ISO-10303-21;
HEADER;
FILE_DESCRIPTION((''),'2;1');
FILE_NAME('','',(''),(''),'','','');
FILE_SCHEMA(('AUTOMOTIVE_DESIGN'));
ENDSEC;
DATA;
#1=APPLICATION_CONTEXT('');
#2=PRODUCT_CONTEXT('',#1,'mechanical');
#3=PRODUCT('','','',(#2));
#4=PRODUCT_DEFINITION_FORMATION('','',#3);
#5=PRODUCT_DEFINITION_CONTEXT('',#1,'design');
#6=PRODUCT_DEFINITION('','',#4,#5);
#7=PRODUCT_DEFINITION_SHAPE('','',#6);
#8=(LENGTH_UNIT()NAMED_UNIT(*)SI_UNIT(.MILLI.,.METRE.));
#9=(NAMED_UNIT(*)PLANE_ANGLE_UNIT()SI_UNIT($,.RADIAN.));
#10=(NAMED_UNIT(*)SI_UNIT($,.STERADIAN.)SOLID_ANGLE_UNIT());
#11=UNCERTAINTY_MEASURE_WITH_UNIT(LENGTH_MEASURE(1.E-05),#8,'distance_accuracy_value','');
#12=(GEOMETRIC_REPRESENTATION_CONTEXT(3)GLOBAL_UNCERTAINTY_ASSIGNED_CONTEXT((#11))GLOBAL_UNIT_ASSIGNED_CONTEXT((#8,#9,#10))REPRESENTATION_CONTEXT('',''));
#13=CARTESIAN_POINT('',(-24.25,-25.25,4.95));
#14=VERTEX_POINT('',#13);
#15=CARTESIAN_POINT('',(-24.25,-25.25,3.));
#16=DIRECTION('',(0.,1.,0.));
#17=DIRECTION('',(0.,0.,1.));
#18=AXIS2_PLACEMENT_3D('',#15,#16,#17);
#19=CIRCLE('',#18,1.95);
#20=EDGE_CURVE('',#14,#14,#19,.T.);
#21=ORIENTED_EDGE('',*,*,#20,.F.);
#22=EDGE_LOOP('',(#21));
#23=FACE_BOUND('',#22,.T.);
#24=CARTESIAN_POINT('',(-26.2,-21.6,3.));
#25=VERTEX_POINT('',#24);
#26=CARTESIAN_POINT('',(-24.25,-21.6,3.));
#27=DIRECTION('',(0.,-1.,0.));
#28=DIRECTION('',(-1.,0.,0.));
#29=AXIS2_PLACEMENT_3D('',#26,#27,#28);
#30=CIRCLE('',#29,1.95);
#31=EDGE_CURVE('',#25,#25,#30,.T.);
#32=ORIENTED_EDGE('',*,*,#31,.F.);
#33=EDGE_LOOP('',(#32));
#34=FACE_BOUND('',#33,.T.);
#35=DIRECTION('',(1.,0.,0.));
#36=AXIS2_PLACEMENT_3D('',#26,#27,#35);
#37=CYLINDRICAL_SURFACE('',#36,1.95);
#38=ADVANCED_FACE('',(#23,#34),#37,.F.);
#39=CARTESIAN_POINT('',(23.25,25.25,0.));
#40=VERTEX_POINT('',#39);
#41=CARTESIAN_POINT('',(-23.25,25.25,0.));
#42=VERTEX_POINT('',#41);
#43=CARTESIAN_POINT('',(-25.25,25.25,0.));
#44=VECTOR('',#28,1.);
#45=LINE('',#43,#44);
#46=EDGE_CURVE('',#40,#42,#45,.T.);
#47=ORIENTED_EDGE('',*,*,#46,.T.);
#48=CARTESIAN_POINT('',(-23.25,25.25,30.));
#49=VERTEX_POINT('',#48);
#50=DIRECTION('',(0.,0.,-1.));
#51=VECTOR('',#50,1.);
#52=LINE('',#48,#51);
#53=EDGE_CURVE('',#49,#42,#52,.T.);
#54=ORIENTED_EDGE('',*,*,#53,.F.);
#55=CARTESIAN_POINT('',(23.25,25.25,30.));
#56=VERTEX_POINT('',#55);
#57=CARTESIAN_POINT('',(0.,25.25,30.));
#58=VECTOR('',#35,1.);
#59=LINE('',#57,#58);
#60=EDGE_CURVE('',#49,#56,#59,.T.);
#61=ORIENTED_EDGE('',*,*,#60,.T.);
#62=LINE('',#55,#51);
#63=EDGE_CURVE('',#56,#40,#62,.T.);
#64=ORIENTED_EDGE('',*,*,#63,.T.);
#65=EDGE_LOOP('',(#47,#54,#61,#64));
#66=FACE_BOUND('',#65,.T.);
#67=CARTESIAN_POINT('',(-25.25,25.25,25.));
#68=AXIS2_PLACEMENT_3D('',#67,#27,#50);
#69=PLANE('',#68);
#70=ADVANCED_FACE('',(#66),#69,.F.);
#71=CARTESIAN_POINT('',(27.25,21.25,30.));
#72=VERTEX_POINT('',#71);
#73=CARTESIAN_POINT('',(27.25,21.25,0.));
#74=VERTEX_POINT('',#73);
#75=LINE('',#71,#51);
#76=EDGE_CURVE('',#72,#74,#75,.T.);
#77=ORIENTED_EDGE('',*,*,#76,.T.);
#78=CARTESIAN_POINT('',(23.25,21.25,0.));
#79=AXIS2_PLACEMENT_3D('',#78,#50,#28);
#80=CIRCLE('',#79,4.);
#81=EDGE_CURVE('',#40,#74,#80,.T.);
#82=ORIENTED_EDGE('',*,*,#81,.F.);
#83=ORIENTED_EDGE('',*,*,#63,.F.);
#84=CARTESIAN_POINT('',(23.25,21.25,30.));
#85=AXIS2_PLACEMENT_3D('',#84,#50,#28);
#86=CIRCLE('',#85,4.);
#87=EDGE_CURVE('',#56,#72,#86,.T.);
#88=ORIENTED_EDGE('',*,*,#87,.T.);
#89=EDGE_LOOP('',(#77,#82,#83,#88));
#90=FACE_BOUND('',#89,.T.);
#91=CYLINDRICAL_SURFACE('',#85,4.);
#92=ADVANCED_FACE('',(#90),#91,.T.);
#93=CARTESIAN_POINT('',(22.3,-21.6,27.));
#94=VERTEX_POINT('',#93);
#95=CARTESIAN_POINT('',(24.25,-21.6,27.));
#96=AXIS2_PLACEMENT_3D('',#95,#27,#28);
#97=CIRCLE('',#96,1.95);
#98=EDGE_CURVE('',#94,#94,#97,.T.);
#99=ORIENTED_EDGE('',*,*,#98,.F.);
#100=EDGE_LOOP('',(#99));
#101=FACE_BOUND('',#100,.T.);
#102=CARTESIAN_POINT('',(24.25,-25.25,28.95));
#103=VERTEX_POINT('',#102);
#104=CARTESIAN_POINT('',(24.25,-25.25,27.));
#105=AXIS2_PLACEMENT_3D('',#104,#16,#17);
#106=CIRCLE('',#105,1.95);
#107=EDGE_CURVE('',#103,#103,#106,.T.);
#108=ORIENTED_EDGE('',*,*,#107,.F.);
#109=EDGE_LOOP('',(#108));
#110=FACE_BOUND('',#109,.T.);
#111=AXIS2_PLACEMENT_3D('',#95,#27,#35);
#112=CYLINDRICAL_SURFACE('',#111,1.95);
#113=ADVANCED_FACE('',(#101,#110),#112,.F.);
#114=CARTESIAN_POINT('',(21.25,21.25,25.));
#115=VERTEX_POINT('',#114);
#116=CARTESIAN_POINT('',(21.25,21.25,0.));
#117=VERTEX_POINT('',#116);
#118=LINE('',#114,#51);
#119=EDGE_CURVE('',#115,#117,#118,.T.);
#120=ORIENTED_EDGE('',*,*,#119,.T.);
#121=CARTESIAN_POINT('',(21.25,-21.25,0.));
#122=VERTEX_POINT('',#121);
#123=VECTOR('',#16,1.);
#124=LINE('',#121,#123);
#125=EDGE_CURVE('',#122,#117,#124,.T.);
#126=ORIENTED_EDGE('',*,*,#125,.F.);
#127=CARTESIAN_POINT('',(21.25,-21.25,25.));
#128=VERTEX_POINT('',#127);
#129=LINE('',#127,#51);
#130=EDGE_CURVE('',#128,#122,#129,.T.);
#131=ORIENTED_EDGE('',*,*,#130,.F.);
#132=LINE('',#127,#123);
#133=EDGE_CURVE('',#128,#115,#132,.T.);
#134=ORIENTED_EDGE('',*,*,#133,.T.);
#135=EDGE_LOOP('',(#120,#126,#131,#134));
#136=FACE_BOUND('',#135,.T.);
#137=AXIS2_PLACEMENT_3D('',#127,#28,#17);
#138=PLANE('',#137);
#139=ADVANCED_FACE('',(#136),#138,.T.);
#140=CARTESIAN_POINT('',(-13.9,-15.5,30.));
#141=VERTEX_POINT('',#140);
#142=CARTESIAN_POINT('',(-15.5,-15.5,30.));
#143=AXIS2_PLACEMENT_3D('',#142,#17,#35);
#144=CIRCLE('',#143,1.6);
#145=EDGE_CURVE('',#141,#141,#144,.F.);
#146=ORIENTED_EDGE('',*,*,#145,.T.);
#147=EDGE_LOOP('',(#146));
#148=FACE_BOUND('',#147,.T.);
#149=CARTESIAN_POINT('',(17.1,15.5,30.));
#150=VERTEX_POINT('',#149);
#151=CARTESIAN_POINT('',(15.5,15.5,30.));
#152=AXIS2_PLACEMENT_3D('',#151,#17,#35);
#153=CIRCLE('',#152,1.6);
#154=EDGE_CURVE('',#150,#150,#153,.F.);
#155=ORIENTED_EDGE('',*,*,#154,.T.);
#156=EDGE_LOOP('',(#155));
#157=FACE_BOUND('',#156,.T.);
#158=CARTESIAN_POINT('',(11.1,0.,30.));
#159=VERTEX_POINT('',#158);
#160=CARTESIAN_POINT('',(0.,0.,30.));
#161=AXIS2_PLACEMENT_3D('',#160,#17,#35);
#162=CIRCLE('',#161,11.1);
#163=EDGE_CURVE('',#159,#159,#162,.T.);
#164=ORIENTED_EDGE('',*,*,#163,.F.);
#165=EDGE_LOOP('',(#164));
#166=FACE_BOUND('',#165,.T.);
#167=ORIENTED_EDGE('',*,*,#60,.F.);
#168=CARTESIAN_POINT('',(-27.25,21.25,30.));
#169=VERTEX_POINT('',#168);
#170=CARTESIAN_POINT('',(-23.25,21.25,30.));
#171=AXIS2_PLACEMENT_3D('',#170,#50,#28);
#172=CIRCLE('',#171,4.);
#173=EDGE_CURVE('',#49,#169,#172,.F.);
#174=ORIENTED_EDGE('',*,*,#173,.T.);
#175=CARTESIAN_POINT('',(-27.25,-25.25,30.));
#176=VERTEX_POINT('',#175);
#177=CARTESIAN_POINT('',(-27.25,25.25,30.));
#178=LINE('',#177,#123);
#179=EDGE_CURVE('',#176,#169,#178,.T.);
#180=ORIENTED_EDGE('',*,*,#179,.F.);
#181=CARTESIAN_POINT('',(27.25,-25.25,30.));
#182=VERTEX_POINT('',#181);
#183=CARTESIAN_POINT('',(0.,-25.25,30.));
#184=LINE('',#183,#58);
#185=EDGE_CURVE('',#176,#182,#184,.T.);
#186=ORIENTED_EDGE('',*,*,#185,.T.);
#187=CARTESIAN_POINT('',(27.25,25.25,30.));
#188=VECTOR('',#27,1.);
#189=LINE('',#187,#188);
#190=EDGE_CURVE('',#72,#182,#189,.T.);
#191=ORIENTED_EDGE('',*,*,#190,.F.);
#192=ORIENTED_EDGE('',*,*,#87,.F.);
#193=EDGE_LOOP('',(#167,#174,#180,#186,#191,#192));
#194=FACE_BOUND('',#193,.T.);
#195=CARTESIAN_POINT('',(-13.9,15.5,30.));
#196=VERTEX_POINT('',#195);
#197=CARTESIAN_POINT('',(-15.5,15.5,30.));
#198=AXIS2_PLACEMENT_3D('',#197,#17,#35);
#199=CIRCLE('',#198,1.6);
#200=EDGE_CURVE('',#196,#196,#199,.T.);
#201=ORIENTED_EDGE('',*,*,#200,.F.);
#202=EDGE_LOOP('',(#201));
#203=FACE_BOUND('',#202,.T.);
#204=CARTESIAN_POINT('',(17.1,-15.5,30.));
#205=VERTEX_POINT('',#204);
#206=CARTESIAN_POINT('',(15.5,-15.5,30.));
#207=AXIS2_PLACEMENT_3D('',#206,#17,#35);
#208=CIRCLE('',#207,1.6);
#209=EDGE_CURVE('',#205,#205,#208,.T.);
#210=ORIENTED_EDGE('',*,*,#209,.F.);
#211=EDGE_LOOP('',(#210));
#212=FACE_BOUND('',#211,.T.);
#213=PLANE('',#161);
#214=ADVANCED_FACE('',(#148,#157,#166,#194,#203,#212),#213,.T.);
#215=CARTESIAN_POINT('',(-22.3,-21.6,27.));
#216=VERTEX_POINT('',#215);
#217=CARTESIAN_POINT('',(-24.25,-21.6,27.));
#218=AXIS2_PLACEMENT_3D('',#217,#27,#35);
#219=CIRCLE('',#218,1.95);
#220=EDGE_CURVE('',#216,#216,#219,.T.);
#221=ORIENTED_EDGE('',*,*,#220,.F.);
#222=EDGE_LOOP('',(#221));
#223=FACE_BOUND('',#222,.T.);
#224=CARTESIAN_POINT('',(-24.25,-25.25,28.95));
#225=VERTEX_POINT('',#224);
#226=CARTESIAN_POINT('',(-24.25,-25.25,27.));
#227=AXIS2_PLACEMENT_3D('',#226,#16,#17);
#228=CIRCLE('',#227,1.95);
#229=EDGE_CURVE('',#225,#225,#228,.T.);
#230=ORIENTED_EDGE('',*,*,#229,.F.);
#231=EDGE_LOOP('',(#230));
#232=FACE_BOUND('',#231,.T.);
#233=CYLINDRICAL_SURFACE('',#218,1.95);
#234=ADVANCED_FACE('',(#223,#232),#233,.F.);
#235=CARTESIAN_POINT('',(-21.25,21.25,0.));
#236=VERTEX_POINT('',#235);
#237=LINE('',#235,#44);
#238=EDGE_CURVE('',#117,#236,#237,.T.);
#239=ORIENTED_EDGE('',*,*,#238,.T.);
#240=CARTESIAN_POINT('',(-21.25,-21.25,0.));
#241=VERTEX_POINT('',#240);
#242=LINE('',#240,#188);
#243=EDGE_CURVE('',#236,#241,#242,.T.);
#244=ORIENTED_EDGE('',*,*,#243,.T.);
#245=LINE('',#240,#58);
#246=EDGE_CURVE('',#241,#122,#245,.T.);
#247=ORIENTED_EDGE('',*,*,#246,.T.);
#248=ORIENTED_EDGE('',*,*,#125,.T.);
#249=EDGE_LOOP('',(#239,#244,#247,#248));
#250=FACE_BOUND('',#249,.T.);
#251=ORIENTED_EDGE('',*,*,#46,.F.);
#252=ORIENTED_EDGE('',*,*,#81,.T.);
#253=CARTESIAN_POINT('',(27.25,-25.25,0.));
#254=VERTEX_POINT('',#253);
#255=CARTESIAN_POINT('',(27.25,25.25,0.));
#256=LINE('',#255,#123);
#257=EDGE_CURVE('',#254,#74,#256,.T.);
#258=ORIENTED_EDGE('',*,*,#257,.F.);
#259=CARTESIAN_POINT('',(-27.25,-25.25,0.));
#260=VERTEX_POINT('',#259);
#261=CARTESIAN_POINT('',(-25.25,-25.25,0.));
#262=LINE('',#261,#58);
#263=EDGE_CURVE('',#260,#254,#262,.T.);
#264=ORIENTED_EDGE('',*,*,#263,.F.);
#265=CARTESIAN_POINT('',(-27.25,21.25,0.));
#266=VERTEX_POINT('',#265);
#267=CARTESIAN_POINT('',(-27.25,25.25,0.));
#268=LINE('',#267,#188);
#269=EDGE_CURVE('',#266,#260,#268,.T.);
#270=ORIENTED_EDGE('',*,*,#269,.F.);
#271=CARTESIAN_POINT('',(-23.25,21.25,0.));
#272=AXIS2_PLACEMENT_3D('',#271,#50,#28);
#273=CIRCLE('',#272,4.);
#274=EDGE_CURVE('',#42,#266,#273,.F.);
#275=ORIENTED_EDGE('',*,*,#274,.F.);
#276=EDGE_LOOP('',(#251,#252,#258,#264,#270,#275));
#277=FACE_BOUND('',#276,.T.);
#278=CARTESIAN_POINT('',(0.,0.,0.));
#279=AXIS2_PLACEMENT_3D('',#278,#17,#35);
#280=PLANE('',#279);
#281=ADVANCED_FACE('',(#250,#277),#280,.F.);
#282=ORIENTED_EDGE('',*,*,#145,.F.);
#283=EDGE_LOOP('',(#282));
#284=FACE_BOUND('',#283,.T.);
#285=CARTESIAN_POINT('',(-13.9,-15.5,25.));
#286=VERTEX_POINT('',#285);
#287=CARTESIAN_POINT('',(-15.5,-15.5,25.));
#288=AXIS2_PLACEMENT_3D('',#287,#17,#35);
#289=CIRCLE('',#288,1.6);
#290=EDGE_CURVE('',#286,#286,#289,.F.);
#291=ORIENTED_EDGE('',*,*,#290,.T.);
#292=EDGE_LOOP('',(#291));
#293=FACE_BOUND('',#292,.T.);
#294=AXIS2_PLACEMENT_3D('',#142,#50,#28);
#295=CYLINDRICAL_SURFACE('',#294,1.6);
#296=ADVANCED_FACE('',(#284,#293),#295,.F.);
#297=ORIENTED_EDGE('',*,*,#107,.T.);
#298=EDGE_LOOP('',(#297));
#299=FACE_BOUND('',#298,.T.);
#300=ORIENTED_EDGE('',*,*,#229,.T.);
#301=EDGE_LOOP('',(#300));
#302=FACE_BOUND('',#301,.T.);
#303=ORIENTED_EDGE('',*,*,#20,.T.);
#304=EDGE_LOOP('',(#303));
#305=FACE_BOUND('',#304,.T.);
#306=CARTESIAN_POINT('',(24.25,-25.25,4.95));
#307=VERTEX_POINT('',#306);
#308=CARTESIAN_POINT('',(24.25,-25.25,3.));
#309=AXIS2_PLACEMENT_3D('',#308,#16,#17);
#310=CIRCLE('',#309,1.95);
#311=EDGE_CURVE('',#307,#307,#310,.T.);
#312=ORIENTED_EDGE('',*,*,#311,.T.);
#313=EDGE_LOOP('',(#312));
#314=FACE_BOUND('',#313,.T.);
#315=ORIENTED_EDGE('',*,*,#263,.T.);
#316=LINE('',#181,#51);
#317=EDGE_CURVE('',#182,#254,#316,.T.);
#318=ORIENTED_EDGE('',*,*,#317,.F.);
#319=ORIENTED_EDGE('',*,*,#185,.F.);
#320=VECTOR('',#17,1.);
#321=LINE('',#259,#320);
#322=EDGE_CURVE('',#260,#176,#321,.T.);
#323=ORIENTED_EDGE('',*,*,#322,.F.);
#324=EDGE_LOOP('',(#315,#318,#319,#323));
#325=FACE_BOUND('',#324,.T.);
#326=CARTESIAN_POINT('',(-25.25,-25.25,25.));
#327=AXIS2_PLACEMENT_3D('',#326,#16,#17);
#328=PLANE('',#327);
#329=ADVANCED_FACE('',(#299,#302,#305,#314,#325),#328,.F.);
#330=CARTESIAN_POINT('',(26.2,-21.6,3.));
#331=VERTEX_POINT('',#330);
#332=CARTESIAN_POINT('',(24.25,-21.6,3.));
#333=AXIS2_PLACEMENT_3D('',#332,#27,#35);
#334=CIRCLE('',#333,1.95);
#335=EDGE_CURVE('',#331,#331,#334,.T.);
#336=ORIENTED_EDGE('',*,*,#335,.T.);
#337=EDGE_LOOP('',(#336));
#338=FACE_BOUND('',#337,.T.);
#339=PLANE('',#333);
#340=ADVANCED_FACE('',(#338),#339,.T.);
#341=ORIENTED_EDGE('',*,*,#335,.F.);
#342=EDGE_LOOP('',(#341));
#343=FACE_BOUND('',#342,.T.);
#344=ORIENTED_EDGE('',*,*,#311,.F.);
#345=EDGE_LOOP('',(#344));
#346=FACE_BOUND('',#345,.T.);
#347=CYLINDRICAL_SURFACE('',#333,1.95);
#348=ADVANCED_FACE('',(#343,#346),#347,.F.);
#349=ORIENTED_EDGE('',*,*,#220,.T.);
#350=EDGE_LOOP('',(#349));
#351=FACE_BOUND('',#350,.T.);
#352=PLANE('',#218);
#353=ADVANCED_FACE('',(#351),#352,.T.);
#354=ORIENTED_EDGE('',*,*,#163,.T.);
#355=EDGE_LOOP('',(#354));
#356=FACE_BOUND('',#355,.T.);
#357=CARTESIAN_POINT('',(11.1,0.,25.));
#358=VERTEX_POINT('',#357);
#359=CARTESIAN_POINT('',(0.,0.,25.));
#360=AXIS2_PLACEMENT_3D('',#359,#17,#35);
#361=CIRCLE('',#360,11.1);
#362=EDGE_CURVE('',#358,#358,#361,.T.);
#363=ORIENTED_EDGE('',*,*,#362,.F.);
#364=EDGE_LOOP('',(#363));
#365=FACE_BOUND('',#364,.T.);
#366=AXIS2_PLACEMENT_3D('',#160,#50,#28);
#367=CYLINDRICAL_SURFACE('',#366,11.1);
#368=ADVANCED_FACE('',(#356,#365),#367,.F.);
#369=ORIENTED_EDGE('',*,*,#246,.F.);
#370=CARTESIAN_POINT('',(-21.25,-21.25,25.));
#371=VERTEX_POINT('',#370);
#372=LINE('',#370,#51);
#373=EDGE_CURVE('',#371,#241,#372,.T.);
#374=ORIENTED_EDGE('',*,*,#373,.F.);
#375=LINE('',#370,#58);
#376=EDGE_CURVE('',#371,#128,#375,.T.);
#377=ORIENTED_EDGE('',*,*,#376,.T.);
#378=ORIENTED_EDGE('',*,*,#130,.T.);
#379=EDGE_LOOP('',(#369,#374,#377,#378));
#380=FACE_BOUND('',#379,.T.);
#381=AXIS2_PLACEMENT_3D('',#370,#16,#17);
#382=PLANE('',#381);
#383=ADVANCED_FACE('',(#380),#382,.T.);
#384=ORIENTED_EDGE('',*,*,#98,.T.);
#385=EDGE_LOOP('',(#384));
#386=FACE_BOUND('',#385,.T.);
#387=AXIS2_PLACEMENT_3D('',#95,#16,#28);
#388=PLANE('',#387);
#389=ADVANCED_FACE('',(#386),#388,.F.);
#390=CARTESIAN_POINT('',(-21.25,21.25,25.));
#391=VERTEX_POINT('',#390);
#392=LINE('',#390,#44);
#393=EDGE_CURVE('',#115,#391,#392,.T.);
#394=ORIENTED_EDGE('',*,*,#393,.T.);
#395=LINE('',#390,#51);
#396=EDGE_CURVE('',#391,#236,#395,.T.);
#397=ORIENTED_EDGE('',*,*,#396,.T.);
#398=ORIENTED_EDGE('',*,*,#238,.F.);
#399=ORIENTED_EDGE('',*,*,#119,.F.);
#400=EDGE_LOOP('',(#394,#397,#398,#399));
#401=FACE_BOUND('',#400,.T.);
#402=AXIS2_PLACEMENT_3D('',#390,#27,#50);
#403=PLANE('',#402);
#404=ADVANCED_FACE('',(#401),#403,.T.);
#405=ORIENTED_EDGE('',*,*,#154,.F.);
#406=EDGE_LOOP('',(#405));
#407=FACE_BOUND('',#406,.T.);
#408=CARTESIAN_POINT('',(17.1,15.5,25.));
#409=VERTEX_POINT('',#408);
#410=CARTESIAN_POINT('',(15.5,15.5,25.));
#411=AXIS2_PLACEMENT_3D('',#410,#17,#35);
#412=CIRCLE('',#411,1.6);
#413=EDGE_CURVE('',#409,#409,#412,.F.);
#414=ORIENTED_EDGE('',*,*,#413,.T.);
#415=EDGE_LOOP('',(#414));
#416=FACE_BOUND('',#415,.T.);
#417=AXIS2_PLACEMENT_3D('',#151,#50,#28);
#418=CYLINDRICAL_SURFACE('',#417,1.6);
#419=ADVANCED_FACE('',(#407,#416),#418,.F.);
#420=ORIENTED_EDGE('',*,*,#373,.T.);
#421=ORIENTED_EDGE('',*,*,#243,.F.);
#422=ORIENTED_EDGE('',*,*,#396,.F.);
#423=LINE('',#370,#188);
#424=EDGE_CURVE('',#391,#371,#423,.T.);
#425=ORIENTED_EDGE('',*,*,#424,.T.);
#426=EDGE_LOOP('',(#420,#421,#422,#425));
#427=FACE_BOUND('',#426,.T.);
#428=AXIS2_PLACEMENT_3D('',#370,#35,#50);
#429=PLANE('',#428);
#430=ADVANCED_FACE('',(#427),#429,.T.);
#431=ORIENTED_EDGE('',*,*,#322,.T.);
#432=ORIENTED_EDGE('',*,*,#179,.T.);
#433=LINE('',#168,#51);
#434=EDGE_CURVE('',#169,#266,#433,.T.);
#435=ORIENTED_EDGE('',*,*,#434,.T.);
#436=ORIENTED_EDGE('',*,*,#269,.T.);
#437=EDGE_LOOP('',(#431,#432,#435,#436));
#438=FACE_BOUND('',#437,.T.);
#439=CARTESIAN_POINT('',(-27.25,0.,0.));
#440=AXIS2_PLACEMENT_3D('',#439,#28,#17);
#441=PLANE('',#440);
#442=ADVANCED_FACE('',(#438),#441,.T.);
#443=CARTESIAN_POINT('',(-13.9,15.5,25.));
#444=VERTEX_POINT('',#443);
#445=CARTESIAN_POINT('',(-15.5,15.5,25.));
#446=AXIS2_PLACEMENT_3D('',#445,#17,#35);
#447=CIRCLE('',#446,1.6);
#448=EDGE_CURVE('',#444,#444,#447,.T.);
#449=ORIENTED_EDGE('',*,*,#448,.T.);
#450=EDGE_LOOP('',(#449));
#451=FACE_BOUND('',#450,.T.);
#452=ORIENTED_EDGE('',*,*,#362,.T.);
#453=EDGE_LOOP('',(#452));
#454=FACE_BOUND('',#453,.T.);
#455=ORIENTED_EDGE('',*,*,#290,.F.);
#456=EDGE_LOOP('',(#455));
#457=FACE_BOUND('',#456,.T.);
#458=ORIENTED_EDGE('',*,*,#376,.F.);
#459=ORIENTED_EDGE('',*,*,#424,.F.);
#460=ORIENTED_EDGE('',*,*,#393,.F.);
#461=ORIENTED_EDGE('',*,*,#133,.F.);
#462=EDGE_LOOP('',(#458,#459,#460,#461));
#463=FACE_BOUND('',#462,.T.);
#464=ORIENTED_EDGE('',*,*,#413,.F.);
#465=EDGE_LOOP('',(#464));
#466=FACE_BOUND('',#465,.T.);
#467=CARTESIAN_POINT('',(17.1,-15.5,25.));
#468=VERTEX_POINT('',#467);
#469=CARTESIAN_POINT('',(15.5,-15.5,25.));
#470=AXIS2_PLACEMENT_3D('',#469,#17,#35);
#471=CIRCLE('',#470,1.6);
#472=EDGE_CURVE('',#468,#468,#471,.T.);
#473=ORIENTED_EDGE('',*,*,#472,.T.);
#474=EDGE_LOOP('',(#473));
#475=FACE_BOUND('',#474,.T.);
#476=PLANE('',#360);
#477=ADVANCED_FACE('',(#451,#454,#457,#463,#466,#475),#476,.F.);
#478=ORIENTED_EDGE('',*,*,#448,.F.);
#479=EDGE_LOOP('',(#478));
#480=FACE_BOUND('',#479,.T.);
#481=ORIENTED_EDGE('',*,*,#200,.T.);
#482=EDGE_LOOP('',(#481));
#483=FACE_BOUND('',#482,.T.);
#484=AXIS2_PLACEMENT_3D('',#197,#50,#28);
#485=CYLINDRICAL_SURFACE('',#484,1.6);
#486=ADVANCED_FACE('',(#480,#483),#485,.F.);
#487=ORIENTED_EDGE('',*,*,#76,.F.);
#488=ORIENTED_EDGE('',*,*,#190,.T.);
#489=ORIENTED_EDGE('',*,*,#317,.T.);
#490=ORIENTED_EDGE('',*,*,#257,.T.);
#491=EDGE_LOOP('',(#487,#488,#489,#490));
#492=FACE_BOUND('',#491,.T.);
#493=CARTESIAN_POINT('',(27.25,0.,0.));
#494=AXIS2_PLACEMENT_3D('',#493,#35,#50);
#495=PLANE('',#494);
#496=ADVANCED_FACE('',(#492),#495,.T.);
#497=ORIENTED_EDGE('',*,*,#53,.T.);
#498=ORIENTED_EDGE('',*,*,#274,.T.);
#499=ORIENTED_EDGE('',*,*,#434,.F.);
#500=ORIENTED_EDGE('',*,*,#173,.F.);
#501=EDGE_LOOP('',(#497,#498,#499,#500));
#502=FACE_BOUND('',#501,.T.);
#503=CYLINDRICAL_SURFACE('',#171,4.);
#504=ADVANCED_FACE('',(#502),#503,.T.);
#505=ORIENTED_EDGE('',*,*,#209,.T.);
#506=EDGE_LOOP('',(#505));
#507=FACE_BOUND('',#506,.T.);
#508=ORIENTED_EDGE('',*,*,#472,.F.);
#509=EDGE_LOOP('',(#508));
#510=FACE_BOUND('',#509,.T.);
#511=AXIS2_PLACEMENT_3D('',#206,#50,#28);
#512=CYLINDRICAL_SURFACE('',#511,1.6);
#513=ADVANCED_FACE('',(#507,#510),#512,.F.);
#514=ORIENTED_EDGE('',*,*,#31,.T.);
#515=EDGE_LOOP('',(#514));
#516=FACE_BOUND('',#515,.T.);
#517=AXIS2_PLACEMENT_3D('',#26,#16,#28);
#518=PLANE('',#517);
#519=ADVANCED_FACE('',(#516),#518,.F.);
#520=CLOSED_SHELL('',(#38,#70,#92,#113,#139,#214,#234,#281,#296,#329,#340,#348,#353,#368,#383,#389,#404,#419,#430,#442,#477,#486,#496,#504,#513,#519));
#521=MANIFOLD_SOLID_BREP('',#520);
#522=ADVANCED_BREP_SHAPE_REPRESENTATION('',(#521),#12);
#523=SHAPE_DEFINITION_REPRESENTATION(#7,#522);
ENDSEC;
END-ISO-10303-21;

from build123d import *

# Parameters (mm, degrees)
SKETCH1_W           = 50.5
SKETCH1_H           = 50.5
SKETCH1_W_2         = 42.5
SKETCH1_H_2         = 42.5
BOSS_EXTRUDE1_DEPTH = 25
SKETCH3_W           = 50.5
SKETCH3_H           = 50.5
SKETCH3_R           = 11.1
SKETCH3_R_2         = 1.6
BOSS_EXTRUDE2_DEPTH = 5
SKETCH6_W           = 30
SKETCH6_H           = 50.5
BOSS_EXTRUDE3_DEPTH = 2
SKETCH7_W           = 30
SKETCH7_H           = 50.5
BOSS_EXTRUDE4_DEPTH = 2
SKETCH5_R           = 1.95
CUT_EXTRUDE1_DEPTH  = 5.7
CUT_EXTRUDE2_DEPTH  = 48.750654446


with BuildPart() as part:
    # Sketch1 → Boss-Extrude1 (new body)
    with BuildSketch(Plane.XY):
        Rectangle(SKETCH1_W, SKETCH1_H)
        Rectangle(SKETCH1_W_2, SKETCH1_H_2, mode=Mode.SUBTRACT)
    extrude(amount=BOSS_EXTRUDE1_DEPTH)

    # Sketch3 → Boss-Extrude2 (add)
    with BuildSketch(Plane.XY.offset(25)):
        Rectangle(SKETCH3_W, SKETCH3_H)
        Circle(SKETCH3_R, mode=Mode.SUBTRACT)
        with Locations((-15.5, 15.5)):
            Circle(SKETCH3_R_2, mode=Mode.SUBTRACT)
        with Locations((15.5, 15.5)):
            Circle(SKETCH3_R_2, mode=Mode.SUBTRACT)
        with Locations((15.5, -15.5)):
            Circle(SKETCH3_R_2, mode=Mode.SUBTRACT)
        with Locations((-15.5, -15.5)):
            Circle(SKETCH3_R_2, mode=Mode.SUBTRACT)
    extrude(amount=BOSS_EXTRUDE2_DEPTH)

    # Sketch6 → Boss-Extrude3 (add)
    with BuildSketch(Plane.ZY.offset(25.25)):
        with Locations((15, 0)):
            Rectangle(SKETCH6_W, SKETCH6_H)
    extrude(amount=BOSS_EXTRUDE3_DEPTH)

    # Sketch7 → Boss-Extrude4 (add)
    with BuildSketch(Plane(origin=(25.25, 0, 0), x_dir=(0, 0, -1), z_dir=(1, 0, 0))):
        with Locations((-15, 0)):
            Rectangle(SKETCH7_W, SKETCH7_H)
    extrude(amount=BOSS_EXTRUDE4_DEPTH)

    # Sketch5 → Cut-Extrude1 (cut)
    with BuildSketch(Plane(origin=(0, -27.3, 0), x_dir=(-1, 0, 0), z_dir=(0, -1, 0))):
        with Locations(Location((-24.25, -3, 0), (0, 0, 180))):
            Circle(SKETCH5_R)
        with Locations(Location((24.25, -3, 0), (0, 0, 270))):
            Circle(SKETCH5_R)
        with Locations(Location((24.25, -27, 0), (0, 0, 180))):
            Circle(SKETCH5_R)
        with Locations(Location((-24.25, -27, 0), (0, 0, 270))):
            Circle(SKETCH5_R)
    extrude(amount=-CUT_EXTRUDE1_DEPTH, mode=Mode.SUBTRACT)

    # Sketch8 → Cut-Extrude2 (cut, through all)
    with BuildSketch(Plane(origin=(0, 0, 0), x_dir=(-1, 0, 0), z_dir=(0, 0, -1))):
        with BuildLine():
            Line((27.25, 25.25), (23.25, 25.25))
            ThreePointArc((23.25, 25.25), (26.078427125, 24.078427125), (27.25, 21.25))
            Line((27.25, 21.25), (27.25, 25.25))
        make_face()
        with BuildLine():
            ThreePointArc((-27.25, 21.25), (-26.078427125, 24.078427125), (-23.25, 25.25))
            Line((-23.25, 25.25), (-27.25, 25.25))
            Line((-27.25, 25.25), (-27.25, 21.25))
        make_face()
    extrude(amount=-CUT_EXTRUDE2_DEPTH, mode=Mode.SUBTRACT)


solid = part.part
